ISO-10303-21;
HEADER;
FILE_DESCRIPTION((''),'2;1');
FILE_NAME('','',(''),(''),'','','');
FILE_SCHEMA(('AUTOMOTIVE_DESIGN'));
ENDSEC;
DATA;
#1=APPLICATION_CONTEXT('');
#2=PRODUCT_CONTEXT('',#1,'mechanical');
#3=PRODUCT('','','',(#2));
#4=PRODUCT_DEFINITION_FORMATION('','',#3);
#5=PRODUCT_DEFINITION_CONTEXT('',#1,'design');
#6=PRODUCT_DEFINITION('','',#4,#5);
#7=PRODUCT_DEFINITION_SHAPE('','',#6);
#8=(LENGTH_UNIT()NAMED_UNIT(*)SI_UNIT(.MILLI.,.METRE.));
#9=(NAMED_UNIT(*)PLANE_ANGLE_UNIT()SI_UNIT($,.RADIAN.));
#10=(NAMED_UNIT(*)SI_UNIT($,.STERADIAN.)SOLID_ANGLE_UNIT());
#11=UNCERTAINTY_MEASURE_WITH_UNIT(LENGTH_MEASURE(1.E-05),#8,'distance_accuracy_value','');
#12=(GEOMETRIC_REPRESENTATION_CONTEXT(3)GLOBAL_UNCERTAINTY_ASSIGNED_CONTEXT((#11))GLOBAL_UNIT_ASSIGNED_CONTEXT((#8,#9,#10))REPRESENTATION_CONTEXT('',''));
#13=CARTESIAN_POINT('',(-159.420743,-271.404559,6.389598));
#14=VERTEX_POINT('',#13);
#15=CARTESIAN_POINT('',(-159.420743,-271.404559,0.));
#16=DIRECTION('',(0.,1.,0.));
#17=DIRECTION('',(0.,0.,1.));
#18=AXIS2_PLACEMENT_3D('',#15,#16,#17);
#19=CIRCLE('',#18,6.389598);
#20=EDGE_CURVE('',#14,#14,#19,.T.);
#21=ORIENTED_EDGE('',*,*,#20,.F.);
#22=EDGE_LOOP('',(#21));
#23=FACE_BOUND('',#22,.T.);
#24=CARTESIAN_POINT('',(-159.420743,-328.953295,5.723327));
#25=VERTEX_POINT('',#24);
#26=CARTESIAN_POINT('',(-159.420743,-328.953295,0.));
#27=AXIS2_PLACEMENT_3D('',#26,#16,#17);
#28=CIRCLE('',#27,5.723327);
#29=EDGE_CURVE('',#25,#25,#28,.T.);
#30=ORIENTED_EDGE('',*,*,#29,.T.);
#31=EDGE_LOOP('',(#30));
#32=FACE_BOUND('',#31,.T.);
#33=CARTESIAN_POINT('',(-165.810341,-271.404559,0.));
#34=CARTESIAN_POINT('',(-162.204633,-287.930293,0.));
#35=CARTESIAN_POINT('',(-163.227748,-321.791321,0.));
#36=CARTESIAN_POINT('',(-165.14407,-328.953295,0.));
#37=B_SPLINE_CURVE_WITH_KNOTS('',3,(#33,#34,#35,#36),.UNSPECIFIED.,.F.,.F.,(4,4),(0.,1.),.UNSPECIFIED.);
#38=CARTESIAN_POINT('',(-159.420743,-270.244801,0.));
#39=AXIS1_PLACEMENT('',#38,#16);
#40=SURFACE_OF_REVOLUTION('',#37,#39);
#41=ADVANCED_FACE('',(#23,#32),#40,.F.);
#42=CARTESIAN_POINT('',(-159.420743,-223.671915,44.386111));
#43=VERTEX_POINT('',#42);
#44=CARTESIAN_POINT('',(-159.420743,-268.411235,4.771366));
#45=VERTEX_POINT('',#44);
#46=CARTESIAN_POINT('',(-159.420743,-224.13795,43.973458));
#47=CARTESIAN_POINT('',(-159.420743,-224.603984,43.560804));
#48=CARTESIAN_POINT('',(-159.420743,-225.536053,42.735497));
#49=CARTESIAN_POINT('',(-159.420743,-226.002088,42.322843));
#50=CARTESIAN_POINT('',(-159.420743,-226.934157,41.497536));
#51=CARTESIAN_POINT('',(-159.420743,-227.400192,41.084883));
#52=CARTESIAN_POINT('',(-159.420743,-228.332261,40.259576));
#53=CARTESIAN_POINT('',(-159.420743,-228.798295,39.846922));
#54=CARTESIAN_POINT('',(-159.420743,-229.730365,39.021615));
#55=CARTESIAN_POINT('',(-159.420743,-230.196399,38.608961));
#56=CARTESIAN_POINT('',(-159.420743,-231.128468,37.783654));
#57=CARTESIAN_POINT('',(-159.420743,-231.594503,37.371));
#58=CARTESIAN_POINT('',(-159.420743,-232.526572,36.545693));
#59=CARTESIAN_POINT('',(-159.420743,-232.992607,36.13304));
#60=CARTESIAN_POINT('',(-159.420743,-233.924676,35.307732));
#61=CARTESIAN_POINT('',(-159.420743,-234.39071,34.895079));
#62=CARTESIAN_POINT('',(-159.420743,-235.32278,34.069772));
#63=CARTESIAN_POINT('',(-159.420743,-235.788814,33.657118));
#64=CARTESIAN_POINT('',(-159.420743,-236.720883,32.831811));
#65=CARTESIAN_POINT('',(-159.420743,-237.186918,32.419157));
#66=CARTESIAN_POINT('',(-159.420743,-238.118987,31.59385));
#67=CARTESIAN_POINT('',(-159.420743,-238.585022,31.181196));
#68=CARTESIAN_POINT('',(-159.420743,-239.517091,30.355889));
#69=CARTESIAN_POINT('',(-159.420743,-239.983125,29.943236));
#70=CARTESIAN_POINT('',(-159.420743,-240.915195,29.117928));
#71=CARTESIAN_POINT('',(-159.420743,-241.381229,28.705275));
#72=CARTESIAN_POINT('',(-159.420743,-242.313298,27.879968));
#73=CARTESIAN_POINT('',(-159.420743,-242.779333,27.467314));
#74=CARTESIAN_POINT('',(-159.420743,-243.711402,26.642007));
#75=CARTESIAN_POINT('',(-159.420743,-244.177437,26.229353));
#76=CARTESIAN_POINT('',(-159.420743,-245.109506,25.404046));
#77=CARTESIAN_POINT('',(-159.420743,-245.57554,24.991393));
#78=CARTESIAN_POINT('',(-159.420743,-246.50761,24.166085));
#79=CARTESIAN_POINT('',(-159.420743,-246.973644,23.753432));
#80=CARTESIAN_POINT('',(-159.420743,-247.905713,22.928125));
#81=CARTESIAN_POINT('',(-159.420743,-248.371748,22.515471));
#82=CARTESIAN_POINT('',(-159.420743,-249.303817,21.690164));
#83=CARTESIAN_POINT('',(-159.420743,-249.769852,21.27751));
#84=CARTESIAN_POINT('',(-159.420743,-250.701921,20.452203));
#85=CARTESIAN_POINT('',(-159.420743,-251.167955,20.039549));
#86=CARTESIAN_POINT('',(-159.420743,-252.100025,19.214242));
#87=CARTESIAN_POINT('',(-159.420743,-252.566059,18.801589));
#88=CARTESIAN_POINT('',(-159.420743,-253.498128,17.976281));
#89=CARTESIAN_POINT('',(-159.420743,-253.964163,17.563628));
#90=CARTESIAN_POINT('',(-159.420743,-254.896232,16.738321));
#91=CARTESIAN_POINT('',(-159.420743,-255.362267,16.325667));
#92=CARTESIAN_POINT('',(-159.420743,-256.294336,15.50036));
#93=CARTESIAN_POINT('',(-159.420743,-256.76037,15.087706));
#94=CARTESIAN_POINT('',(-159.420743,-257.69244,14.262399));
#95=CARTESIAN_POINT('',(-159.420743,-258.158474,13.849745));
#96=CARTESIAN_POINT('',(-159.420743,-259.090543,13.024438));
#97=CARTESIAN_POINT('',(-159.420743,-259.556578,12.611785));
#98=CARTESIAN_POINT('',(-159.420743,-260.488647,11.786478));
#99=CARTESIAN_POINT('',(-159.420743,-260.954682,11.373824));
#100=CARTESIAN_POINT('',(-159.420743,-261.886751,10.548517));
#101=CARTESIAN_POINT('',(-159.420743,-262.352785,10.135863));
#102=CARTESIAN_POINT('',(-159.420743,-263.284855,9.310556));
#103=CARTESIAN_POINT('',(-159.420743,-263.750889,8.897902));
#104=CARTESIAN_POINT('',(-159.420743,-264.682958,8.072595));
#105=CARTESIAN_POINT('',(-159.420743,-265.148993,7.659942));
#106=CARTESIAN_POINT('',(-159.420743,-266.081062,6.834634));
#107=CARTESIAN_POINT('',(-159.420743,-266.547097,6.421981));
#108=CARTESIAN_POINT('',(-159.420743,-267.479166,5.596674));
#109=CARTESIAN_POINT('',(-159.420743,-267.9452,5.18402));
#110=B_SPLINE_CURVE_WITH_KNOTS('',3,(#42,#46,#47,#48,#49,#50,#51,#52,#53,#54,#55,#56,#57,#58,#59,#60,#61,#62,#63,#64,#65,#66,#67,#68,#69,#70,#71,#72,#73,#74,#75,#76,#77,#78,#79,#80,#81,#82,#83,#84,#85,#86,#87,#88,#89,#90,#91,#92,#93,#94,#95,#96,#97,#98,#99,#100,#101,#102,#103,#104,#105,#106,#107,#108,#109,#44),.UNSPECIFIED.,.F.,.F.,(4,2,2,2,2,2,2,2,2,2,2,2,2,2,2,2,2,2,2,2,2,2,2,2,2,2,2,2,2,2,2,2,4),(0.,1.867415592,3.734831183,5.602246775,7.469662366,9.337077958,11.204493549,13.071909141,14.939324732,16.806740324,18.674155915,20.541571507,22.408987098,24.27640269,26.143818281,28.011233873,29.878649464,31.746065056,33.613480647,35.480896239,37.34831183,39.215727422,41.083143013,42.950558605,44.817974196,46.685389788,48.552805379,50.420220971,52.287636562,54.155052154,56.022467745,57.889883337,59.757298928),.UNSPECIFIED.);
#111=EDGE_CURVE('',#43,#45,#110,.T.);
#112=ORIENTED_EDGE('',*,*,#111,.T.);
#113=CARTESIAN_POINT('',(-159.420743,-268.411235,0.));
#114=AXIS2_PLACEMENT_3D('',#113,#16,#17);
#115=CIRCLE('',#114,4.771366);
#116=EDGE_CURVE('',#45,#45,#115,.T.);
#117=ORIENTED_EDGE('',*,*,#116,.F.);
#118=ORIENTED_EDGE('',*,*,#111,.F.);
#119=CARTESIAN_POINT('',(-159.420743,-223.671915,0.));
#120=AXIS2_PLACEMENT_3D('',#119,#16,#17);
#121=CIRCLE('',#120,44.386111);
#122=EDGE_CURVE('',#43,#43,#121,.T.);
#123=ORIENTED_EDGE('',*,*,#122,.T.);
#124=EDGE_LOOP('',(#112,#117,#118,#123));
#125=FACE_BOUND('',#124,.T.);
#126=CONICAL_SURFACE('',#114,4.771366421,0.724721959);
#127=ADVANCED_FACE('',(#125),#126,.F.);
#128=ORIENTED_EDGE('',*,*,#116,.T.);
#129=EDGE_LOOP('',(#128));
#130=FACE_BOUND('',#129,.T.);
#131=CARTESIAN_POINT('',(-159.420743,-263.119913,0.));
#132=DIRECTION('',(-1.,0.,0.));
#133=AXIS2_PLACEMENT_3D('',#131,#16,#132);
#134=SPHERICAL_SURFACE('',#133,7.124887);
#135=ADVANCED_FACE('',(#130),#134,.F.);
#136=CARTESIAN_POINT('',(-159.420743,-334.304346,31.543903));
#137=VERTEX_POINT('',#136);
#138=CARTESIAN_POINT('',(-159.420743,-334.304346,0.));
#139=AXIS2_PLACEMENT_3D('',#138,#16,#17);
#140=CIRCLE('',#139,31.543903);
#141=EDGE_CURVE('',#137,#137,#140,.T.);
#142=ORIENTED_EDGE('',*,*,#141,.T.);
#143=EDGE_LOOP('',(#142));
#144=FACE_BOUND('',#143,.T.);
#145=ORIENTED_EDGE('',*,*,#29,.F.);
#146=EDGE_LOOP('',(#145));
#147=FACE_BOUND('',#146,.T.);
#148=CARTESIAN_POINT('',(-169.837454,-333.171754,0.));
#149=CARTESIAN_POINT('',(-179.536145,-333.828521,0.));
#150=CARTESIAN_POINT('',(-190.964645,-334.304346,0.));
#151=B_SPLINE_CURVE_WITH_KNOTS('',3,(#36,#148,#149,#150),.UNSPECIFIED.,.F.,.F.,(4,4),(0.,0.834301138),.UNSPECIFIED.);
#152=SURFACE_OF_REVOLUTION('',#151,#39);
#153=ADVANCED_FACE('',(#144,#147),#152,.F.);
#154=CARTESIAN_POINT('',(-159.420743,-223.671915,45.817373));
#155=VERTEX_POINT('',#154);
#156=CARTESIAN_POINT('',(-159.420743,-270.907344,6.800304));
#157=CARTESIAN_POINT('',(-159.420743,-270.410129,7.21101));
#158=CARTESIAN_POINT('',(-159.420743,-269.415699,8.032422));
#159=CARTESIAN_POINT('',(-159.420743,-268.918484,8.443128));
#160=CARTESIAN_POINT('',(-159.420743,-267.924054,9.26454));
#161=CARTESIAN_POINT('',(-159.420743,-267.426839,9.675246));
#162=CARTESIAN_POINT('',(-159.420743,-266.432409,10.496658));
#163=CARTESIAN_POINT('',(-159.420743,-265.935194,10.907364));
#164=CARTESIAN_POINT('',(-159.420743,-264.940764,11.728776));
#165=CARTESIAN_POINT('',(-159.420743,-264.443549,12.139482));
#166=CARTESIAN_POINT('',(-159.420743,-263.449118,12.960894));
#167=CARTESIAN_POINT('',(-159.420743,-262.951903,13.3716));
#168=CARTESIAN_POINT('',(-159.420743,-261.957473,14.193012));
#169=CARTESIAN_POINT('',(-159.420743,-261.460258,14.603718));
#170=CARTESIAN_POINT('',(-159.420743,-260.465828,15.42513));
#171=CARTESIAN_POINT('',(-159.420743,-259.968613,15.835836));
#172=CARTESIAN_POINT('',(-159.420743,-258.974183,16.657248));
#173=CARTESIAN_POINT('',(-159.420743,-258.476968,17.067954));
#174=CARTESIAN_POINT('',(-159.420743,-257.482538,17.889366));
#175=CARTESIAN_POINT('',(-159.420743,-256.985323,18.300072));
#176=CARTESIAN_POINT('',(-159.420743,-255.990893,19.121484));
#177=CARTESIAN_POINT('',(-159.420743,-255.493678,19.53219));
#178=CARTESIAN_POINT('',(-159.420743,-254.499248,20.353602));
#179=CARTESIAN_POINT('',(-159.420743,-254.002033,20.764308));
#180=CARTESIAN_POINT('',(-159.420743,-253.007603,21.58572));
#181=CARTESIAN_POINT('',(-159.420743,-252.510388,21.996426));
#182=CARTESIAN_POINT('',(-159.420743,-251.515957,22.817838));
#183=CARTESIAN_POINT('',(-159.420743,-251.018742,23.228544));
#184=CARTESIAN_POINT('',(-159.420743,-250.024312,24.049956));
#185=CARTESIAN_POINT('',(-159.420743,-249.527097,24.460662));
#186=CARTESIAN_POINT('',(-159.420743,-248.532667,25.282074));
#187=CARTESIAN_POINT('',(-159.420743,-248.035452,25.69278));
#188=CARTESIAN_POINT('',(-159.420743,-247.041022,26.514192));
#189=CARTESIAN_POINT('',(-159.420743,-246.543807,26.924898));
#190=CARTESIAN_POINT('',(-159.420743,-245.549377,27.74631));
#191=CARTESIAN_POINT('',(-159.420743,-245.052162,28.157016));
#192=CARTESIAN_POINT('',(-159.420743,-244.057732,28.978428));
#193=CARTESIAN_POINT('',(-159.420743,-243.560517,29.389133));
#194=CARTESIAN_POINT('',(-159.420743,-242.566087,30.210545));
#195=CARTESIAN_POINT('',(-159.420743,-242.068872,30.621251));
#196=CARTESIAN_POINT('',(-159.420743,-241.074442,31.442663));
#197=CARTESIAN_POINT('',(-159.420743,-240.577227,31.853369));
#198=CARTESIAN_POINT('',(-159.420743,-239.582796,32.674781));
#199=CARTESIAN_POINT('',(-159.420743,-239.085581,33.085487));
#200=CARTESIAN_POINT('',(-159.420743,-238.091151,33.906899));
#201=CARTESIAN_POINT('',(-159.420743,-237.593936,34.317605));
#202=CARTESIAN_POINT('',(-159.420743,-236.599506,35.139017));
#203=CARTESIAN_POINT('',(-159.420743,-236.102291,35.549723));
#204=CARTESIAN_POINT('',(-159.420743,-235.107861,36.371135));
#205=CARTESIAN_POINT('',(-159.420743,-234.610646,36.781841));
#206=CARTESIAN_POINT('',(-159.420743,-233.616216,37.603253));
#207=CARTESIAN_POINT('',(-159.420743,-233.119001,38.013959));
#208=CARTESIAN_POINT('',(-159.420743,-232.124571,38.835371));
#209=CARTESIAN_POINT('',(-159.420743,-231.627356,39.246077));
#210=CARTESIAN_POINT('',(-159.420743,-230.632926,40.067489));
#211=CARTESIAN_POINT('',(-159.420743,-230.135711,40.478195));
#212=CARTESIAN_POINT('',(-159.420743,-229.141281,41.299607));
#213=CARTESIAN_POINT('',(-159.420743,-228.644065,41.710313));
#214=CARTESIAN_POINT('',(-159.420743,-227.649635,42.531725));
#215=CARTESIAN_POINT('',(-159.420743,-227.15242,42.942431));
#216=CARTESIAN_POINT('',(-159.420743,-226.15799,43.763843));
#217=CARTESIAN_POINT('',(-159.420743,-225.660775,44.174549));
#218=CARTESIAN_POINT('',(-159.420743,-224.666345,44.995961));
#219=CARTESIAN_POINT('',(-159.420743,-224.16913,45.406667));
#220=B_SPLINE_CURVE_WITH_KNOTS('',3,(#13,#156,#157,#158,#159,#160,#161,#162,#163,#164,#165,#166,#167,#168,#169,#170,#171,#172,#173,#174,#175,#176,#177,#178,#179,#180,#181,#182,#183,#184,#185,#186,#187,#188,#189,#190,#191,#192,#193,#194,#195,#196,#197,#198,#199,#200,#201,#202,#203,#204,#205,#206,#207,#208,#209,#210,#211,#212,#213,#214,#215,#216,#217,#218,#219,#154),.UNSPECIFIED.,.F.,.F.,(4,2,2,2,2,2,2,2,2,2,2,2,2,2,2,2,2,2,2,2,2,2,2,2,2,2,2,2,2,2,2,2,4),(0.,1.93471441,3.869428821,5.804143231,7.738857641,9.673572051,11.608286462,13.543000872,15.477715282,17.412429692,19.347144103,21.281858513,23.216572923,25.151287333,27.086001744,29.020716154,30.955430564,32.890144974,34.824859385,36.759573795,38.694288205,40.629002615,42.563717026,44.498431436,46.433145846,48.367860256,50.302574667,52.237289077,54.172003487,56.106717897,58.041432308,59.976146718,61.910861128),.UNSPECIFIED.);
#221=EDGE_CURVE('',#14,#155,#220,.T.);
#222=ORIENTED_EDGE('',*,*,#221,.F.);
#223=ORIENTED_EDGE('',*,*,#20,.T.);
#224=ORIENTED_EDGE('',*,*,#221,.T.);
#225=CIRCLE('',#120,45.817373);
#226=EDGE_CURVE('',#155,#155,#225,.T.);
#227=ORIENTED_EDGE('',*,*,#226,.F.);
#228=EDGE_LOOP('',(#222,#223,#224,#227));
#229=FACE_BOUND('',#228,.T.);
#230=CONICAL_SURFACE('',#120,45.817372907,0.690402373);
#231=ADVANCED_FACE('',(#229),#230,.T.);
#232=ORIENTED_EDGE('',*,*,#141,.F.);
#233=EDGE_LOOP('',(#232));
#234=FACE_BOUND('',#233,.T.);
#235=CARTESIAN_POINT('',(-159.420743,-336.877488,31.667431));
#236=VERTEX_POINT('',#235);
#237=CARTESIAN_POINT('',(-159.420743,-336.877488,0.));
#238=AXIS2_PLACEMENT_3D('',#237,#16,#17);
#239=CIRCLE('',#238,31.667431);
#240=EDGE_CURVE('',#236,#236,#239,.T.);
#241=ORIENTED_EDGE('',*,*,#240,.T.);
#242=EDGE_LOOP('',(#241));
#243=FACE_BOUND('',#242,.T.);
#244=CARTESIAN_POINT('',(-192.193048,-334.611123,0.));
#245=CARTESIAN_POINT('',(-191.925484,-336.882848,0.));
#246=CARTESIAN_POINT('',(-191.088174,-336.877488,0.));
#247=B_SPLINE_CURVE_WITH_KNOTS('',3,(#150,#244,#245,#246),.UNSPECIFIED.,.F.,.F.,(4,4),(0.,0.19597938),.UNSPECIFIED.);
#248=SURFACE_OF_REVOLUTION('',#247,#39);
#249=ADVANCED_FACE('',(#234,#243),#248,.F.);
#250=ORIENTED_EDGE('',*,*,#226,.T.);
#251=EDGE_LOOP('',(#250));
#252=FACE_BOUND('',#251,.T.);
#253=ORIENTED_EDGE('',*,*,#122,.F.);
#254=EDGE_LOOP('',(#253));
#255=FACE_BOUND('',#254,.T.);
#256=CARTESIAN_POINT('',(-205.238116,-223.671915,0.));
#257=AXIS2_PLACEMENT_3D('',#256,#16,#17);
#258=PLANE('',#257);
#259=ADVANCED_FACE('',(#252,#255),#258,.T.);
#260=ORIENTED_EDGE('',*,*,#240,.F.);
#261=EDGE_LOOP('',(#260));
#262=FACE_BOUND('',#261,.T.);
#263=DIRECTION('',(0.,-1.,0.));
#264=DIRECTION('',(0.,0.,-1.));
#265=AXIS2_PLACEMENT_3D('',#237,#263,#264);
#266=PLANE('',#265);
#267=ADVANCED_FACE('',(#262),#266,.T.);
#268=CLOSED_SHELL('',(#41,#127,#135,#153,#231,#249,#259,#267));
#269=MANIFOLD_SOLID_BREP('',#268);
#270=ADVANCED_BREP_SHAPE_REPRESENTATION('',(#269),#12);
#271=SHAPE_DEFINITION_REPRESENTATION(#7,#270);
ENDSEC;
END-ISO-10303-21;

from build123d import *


with BuildPart() as part:
    # Szkic1 → Obrót1 (revolve)
    with BuildSketch(Plane.XY, mode=Mode.PRIVATE) as obr_t1_sk:
        with BuildLine():
            Line((-159.420742679, -336.877488131), (-191.088174173, -336.877488131))
            add(Edge.make_bspline(
                [(-190.964645188, -334.304345553), (-192.193047533, -334.611123181), (-191.925483576, -336.882848477), (-191.088174173, -336.877488131)],
                knots=[0, 0, 0, 0, 0.19597938, 0.19597938, 0.19597938, 0.19597938], degree=3))
            add(Edge.make_bspline(
                [(-165.144069859, -328.953295048), (-169.837453966, -333.171753818), (-179.536145115, -333.828520522), (-190.964645188, -334.304345553)],
                knots=[0, 0, 0, 0, 0.834301138, 0.834301138, 0.834301138, 0.834301138], degree=3))
            add(Edge.make_bspline(
                [(-165.810340985, -271.404559169), (-162.204633443, -287.930293232), (-163.22774831, -321.791320533), (-165.144069859, -328.953295048)],
                knots=[0, 0, 0, 0, 1, 1, 1, 1], degree=3))
            Line((-165.810340985, -271.404559169), (-205.238115586, -223.671915039))
            Line((-205.238115586, -223.671915039), (-203.806854139, -223.671915039))
            Line((-203.806854139, -223.671915039), (-164.1921091, -268.411235001))
            ThreePointArc((-164.1921091, -268.411235001), (-161.976515627, -269.770631147), (-159.420742679, -270.244800904))
            Line((-159.420742679, -270.244800904), (-159.420742679, -336.877488131))
        make_face()
    revolve(obr_t1_sk.sketch.rotate(Axis((-159.420742679, -270.244800904, 0), (0, -1, 0)), 270), axis=Axis((-159.420742679, -270.244800904, 0), (0, -1, 0)))


solid = part.part
